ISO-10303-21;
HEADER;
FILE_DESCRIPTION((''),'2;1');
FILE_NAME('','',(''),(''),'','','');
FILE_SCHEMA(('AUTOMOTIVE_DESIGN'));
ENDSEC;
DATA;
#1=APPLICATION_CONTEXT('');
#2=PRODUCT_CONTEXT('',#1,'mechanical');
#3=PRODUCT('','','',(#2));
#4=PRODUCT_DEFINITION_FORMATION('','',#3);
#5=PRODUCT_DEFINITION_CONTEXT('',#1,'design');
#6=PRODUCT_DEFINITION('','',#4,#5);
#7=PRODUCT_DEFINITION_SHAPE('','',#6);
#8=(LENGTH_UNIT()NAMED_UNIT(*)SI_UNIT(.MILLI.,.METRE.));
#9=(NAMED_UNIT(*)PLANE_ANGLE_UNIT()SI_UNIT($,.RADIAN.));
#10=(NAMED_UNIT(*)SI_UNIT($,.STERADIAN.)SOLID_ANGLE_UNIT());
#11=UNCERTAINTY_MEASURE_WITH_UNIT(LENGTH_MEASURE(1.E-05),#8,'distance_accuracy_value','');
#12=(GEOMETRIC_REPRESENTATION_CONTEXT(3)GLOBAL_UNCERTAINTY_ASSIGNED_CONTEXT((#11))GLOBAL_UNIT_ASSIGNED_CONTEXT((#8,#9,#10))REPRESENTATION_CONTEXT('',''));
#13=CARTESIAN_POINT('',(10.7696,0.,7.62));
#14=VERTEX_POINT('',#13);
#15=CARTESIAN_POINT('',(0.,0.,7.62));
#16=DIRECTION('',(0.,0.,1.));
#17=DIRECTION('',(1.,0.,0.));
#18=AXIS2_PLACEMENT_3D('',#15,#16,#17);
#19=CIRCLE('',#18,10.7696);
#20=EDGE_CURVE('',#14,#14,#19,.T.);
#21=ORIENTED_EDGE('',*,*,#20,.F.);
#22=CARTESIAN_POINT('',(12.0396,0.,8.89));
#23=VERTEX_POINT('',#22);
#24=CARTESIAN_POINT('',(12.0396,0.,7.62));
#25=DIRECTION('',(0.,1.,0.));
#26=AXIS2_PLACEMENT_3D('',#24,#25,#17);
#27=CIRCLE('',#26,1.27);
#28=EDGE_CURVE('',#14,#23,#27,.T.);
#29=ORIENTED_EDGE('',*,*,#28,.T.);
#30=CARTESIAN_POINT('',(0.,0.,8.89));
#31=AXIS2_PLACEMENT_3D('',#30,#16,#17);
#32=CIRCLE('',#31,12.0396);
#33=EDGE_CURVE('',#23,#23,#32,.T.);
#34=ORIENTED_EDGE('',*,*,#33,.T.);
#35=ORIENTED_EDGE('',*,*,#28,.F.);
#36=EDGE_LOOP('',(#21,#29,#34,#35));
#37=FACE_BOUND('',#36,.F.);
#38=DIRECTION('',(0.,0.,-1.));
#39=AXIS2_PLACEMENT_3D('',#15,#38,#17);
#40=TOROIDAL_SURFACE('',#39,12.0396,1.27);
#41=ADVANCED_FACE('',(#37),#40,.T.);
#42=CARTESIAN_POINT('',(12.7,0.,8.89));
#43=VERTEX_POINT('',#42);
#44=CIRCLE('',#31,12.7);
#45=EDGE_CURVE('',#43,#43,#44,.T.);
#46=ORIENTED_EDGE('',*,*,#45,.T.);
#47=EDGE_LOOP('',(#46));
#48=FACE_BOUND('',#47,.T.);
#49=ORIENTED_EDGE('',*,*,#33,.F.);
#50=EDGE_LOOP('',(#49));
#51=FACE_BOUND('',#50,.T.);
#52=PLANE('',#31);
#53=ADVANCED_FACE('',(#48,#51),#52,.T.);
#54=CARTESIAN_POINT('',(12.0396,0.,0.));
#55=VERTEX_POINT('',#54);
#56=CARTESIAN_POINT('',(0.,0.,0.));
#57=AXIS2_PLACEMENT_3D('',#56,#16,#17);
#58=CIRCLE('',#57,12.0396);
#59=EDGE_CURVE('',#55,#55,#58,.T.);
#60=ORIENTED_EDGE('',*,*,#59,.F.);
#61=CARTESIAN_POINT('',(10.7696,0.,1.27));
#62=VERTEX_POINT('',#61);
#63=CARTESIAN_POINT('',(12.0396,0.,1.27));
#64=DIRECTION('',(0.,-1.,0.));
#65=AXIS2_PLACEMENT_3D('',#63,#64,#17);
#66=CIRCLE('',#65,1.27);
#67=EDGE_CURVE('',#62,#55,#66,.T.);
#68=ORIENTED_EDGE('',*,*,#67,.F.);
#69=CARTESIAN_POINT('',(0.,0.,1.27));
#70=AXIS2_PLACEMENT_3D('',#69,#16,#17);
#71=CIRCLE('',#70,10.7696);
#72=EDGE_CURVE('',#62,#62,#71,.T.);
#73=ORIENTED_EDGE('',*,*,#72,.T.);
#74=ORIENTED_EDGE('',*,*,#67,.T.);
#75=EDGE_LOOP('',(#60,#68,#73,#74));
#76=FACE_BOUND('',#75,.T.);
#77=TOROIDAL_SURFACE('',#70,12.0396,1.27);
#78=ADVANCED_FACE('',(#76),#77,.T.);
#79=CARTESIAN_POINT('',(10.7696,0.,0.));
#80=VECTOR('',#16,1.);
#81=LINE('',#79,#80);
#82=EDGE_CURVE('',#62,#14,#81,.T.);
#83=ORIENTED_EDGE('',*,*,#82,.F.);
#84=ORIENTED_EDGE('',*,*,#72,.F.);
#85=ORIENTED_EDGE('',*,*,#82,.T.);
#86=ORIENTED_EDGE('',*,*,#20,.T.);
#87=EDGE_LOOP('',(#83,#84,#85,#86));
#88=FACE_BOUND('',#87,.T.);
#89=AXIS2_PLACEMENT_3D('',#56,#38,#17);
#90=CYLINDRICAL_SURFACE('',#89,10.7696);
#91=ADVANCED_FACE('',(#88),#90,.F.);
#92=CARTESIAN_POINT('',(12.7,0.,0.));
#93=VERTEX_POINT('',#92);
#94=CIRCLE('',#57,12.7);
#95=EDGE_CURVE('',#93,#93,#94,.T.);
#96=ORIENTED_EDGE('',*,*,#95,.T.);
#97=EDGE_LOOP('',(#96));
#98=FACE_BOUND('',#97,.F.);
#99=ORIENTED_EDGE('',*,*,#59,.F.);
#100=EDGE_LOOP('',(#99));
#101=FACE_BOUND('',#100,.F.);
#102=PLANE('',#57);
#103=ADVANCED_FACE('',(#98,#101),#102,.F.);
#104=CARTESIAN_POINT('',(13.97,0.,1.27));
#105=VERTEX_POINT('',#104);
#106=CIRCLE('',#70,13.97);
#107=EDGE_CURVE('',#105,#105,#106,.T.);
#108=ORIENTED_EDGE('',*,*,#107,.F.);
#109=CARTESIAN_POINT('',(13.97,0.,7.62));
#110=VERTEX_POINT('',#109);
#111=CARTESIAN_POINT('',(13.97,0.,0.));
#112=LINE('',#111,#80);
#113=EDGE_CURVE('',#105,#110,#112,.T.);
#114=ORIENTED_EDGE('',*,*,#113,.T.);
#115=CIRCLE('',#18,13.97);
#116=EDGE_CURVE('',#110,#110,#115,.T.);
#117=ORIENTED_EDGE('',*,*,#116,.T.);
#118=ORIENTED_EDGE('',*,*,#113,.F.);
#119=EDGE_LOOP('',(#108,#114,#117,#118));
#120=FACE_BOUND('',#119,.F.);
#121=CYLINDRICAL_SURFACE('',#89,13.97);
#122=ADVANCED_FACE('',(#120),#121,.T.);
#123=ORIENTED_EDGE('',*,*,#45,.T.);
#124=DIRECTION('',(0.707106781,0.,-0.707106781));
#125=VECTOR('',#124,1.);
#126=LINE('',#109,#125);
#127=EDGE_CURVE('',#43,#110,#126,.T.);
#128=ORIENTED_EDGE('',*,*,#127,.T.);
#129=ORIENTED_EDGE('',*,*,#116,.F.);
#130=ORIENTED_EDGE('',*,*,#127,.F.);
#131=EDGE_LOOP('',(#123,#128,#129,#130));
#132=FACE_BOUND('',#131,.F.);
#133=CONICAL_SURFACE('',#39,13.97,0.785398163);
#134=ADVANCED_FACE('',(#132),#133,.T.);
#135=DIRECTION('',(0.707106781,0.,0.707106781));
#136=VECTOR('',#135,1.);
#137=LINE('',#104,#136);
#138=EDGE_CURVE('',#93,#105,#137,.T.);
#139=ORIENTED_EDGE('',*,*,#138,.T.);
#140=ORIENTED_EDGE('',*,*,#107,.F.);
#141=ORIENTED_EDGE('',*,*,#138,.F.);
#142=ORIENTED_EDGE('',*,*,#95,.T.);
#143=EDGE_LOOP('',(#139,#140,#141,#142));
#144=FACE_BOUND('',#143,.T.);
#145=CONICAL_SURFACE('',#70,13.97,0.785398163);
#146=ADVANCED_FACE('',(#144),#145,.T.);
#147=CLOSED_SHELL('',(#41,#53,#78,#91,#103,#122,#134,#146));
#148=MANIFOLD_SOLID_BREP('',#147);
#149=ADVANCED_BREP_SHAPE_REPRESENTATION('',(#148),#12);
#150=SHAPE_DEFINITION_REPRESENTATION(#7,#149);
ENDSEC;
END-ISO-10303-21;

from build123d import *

# Parameters (mm, degrees)
F0_R     = 13.97
F0_R_2   = 10.7696
F1_DEPTH = 8.89
F2_R     = 1.27
F3_SIZE  = 1.27


with BuildPart() as f1:
    # F0 (on Top) → F1 (new body)
    with BuildSketch(Plane.XY):
        Circle(F0_R)
        Circle(F0_R_2, mode=Mode.SUBTRACT)
    extrude(amount=F1_DEPTH)

    # F2
    f2_edges = [f1.edges().sort_by_distance(p)[0] for p in [
        (-10.7696, 0, 8.89),
        (-10.7696, 0, 0),
    ]]
    fillet(f2_edges, radius=F2_R)

    # F3
    f3_edges = [f1.edges().sort_by_distance(p)[0] for p in [
        (13.97, 0, 4.445),
        (-13.97, 0, 0),
        (-13.97, 0, 8.89),
    ]]
    chamfer(f3_edges, length=F3_SIZE)


solid = f1.part
